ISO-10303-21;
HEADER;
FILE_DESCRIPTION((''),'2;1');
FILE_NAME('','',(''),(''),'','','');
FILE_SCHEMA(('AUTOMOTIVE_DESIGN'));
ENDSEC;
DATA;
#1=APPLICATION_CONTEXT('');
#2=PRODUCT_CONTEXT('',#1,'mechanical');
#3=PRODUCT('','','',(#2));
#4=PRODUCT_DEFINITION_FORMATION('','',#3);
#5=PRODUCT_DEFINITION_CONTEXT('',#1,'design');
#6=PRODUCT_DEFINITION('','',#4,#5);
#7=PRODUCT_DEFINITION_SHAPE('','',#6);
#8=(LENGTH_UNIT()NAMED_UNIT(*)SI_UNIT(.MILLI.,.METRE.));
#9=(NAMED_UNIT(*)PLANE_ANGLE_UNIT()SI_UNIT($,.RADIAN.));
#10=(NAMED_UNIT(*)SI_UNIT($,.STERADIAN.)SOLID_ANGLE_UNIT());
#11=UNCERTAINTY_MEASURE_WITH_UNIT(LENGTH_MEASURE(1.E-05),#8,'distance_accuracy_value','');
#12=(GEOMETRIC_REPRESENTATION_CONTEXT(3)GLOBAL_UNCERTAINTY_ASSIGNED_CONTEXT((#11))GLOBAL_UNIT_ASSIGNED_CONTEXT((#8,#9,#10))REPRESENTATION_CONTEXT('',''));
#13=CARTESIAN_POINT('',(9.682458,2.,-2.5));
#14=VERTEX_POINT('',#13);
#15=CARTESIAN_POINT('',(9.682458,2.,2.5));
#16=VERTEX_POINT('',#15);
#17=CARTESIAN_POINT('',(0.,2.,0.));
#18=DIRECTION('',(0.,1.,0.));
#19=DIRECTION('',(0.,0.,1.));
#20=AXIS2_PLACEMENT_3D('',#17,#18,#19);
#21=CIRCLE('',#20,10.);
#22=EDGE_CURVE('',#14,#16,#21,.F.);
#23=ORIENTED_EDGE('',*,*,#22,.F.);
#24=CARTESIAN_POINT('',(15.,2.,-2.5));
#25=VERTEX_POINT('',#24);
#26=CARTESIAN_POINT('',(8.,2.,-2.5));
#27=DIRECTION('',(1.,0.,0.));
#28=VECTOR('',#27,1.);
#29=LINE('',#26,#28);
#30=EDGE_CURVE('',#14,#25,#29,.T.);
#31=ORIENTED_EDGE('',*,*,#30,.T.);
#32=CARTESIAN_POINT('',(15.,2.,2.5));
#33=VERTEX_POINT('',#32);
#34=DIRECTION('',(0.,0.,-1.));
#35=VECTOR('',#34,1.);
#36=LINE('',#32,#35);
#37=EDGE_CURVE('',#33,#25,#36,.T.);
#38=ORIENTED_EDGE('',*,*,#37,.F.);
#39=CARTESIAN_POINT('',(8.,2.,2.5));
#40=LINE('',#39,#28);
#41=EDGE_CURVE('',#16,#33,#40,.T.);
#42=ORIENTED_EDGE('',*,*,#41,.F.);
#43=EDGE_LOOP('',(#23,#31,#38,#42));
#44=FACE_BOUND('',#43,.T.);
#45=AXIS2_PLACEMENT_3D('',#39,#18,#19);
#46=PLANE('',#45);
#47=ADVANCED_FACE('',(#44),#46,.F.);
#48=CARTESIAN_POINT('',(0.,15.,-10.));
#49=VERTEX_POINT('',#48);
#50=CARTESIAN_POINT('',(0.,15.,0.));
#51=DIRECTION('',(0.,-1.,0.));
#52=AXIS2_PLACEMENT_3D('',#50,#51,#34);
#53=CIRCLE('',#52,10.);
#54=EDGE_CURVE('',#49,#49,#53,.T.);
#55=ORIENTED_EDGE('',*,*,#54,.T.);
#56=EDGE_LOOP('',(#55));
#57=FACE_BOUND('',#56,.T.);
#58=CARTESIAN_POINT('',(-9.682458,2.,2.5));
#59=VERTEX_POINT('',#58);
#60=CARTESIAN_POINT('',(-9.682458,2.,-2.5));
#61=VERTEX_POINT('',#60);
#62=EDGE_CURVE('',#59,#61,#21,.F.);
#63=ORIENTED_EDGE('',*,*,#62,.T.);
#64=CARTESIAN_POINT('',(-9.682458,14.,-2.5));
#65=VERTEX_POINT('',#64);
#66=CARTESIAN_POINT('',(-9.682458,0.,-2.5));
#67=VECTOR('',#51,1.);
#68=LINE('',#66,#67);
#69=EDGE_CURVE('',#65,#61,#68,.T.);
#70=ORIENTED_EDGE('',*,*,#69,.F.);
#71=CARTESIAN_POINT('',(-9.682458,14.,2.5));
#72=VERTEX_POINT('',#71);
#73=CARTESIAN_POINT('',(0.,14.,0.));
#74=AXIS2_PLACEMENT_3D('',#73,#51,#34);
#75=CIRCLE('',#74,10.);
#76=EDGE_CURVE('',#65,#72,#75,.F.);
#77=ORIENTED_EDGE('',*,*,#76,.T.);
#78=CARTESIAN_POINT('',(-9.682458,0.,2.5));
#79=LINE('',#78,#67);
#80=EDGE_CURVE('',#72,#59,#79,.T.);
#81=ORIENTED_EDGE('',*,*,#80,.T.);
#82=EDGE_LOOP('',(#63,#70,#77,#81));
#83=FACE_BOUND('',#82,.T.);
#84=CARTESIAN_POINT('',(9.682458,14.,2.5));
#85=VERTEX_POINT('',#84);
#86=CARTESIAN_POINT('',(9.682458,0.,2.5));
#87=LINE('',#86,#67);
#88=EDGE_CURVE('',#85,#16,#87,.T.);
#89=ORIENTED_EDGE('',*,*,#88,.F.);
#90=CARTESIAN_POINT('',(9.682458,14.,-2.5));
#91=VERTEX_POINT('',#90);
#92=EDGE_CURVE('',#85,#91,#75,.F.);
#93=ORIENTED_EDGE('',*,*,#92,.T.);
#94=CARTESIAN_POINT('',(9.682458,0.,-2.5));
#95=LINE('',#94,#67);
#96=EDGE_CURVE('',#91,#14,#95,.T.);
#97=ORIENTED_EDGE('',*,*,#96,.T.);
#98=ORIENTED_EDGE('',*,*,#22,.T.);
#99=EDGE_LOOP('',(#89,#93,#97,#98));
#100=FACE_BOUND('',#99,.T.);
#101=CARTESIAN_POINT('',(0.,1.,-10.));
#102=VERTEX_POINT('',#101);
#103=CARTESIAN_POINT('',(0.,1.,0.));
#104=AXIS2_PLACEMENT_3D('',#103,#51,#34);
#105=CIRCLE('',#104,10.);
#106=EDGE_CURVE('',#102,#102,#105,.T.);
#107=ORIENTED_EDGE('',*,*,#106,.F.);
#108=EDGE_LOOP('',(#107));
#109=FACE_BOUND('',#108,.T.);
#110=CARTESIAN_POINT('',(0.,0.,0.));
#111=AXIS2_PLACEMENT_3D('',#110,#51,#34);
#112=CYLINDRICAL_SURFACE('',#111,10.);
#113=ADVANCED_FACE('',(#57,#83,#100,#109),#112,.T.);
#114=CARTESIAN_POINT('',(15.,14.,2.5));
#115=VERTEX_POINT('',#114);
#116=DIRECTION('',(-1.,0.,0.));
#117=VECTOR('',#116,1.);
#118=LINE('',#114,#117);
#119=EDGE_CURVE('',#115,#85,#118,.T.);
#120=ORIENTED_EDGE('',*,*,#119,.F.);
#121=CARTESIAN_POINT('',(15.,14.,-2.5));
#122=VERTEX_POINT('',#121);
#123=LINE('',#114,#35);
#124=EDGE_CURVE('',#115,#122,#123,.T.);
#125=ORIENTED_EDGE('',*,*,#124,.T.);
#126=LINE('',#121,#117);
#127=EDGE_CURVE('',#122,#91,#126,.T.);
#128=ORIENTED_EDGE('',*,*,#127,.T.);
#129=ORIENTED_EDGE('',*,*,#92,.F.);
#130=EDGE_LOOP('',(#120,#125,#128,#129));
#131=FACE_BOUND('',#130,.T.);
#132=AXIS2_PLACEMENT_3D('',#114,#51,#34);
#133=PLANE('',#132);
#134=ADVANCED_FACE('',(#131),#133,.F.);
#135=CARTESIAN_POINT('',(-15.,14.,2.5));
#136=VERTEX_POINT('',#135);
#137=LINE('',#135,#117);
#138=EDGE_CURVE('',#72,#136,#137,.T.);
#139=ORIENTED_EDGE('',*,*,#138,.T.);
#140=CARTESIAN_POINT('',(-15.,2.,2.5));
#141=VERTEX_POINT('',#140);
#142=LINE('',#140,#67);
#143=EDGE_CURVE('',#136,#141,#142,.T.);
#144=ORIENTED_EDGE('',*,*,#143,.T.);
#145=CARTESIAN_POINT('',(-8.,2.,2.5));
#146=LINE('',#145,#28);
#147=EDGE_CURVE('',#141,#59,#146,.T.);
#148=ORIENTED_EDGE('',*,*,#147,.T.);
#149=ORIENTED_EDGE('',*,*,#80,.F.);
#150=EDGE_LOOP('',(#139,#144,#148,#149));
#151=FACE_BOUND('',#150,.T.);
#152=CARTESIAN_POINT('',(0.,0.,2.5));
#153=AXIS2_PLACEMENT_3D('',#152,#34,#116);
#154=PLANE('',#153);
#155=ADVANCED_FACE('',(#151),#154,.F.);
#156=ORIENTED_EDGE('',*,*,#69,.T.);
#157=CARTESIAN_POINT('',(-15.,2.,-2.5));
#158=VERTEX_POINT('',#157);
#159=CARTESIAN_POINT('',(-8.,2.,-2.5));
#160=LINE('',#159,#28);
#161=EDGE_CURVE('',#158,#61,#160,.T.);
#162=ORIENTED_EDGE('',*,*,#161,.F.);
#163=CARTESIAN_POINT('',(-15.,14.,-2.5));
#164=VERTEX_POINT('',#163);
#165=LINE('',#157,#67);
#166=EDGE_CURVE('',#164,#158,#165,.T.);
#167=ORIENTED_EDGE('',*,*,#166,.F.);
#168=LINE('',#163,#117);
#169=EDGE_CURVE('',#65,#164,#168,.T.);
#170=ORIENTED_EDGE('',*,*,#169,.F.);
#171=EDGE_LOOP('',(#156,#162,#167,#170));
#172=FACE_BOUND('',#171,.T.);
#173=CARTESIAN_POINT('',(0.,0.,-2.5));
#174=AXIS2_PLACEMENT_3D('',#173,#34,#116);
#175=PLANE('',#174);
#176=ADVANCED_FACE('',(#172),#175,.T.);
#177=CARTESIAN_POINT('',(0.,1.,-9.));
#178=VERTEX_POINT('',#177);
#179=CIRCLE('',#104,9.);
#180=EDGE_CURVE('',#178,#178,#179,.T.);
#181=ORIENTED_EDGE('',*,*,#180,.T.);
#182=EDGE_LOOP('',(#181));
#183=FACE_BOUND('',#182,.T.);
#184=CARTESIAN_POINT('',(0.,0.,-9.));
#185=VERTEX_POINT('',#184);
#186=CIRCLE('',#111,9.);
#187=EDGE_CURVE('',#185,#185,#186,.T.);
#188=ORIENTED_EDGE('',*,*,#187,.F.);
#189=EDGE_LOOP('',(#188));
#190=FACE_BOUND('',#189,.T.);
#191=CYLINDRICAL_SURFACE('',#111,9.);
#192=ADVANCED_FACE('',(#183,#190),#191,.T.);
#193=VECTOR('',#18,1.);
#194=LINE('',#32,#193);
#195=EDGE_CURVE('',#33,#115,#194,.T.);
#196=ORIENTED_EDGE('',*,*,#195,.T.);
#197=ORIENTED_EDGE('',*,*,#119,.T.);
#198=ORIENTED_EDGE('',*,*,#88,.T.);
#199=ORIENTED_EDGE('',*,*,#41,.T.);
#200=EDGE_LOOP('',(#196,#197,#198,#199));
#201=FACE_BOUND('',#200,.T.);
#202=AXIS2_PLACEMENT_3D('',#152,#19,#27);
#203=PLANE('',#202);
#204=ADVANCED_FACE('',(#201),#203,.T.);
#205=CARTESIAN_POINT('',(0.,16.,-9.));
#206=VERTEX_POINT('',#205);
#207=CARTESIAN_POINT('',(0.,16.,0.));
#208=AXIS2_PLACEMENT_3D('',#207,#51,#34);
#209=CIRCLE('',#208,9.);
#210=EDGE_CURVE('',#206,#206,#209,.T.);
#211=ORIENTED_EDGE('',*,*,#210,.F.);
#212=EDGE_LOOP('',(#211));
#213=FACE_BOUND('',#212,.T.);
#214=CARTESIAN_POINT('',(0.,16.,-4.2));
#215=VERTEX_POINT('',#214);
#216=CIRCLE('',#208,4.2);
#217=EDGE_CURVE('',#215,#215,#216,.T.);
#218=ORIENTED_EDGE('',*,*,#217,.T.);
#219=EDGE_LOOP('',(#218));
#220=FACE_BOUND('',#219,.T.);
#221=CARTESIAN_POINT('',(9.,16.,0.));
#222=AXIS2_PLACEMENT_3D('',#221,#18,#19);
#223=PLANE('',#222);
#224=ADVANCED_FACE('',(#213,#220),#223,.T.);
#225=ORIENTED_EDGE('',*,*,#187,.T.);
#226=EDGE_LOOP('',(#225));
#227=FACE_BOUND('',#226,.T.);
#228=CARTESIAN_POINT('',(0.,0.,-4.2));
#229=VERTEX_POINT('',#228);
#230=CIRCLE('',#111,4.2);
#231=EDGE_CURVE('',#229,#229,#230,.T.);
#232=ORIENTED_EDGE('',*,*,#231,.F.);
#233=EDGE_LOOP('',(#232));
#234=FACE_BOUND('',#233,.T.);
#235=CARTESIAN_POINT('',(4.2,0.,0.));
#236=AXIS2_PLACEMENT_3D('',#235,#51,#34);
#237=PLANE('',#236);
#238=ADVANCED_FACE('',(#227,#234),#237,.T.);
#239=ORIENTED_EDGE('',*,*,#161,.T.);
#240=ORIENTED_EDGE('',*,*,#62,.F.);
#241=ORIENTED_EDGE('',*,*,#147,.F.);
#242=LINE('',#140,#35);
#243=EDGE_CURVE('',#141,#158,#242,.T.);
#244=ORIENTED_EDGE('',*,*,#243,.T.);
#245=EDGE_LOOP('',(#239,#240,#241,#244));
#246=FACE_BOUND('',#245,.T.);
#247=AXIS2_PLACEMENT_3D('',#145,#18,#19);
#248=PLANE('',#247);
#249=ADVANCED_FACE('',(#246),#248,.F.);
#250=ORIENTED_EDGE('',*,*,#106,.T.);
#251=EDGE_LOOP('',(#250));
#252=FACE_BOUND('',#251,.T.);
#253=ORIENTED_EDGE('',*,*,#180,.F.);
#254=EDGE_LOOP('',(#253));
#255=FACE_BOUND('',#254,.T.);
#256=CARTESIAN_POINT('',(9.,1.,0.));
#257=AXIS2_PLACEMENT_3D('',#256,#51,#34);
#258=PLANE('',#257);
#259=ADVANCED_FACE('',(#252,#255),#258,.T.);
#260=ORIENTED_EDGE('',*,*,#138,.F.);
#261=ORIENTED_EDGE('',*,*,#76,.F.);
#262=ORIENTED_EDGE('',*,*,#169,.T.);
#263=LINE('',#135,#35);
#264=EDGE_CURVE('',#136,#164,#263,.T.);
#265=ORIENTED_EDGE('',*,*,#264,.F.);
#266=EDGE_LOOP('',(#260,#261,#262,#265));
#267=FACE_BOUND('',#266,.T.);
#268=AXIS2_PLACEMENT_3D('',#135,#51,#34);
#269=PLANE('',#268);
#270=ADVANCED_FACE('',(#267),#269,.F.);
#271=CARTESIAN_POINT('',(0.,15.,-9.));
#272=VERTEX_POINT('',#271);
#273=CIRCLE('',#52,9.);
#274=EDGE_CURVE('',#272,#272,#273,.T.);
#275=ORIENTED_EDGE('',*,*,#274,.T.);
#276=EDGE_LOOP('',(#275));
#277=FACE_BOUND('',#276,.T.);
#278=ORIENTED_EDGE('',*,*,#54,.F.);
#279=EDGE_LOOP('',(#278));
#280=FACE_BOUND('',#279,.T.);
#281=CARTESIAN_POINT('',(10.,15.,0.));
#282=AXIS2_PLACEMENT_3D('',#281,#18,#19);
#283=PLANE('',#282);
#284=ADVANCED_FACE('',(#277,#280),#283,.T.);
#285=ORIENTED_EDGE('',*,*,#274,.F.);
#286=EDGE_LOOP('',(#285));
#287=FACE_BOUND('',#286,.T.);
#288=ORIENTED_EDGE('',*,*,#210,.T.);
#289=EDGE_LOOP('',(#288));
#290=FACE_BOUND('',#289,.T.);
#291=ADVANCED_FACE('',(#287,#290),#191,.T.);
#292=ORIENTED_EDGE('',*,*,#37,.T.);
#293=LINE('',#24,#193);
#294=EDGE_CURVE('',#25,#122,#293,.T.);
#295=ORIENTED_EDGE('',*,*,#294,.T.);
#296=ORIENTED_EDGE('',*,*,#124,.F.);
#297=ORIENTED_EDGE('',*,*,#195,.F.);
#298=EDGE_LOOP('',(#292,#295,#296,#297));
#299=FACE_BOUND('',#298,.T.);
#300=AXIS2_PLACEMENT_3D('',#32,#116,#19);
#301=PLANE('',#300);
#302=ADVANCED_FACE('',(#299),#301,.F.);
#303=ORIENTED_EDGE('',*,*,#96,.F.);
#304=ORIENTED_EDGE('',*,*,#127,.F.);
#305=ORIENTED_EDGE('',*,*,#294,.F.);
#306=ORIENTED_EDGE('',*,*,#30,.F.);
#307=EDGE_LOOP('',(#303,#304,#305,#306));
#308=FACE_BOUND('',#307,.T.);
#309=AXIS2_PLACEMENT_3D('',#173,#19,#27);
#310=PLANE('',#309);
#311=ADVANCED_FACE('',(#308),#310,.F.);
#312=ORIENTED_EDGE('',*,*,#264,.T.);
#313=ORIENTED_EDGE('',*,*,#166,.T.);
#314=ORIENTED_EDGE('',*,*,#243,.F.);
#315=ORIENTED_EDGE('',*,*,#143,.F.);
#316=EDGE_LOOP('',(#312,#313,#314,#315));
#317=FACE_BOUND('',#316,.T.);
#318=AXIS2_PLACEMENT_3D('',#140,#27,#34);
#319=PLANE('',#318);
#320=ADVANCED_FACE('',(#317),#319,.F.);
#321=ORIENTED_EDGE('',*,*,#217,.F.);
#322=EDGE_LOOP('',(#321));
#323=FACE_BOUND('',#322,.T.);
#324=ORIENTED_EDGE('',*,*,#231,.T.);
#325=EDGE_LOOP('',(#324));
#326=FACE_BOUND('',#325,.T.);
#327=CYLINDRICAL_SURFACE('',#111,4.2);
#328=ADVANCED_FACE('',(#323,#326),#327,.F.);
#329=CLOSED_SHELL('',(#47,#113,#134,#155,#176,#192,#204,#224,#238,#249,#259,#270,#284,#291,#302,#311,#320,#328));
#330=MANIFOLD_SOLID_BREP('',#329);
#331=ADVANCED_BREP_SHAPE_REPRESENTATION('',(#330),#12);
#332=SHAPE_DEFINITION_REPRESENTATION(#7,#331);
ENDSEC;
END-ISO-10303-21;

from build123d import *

# Parameters (mm, degrees)
SKETCH_3_W              = 7
SKETCH_3_H              = 12
CONTINUOUS_TONGUE_DEPTH = 5
SKETCH_4_W              = 7
SKETCH_4_H              = 12
EXTRUDE_2_DEPTH         = 5


with BuildPart() as part:
    # 草图1 → Round_nut (revolve)
    with BuildSketch(Plane.XY, mode=Mode.PRIVATE) as round_nut_sk:
        Polygon((4.2, 0), (9, 0), (9, 1), (10, 1), (10, 15), (9, 15), (9, 16), (4.2, 16), align=None)
    revolve(round_nut_sk.sketch.rotate(Axis((0, 0, 0), (0, 1, 0)), 90), axis=Axis((0, 0, 0), (0, 1, 0)))

    # 草图3 → Continuous_tongue (add)
    with BuildSketch(Plane.XY.offset(-2.5)):
        with Locations((-11.5, 8)):
            Rectangle(SKETCH_3_W, SKETCH_3_H)
    extrude(amount=CONTINUOUS_TONGUE_DEPTH)

    # 草图4 → 凸台-拉伸2 (add)
    with BuildSketch(Plane.XY.offset(-2.5)):
        with Locations((11.5, 8)):
            Rectangle(SKETCH_4_W, SKETCH_4_H)
    extrude(amount=EXTRUDE_2_DEPTH)


solid = part.part
